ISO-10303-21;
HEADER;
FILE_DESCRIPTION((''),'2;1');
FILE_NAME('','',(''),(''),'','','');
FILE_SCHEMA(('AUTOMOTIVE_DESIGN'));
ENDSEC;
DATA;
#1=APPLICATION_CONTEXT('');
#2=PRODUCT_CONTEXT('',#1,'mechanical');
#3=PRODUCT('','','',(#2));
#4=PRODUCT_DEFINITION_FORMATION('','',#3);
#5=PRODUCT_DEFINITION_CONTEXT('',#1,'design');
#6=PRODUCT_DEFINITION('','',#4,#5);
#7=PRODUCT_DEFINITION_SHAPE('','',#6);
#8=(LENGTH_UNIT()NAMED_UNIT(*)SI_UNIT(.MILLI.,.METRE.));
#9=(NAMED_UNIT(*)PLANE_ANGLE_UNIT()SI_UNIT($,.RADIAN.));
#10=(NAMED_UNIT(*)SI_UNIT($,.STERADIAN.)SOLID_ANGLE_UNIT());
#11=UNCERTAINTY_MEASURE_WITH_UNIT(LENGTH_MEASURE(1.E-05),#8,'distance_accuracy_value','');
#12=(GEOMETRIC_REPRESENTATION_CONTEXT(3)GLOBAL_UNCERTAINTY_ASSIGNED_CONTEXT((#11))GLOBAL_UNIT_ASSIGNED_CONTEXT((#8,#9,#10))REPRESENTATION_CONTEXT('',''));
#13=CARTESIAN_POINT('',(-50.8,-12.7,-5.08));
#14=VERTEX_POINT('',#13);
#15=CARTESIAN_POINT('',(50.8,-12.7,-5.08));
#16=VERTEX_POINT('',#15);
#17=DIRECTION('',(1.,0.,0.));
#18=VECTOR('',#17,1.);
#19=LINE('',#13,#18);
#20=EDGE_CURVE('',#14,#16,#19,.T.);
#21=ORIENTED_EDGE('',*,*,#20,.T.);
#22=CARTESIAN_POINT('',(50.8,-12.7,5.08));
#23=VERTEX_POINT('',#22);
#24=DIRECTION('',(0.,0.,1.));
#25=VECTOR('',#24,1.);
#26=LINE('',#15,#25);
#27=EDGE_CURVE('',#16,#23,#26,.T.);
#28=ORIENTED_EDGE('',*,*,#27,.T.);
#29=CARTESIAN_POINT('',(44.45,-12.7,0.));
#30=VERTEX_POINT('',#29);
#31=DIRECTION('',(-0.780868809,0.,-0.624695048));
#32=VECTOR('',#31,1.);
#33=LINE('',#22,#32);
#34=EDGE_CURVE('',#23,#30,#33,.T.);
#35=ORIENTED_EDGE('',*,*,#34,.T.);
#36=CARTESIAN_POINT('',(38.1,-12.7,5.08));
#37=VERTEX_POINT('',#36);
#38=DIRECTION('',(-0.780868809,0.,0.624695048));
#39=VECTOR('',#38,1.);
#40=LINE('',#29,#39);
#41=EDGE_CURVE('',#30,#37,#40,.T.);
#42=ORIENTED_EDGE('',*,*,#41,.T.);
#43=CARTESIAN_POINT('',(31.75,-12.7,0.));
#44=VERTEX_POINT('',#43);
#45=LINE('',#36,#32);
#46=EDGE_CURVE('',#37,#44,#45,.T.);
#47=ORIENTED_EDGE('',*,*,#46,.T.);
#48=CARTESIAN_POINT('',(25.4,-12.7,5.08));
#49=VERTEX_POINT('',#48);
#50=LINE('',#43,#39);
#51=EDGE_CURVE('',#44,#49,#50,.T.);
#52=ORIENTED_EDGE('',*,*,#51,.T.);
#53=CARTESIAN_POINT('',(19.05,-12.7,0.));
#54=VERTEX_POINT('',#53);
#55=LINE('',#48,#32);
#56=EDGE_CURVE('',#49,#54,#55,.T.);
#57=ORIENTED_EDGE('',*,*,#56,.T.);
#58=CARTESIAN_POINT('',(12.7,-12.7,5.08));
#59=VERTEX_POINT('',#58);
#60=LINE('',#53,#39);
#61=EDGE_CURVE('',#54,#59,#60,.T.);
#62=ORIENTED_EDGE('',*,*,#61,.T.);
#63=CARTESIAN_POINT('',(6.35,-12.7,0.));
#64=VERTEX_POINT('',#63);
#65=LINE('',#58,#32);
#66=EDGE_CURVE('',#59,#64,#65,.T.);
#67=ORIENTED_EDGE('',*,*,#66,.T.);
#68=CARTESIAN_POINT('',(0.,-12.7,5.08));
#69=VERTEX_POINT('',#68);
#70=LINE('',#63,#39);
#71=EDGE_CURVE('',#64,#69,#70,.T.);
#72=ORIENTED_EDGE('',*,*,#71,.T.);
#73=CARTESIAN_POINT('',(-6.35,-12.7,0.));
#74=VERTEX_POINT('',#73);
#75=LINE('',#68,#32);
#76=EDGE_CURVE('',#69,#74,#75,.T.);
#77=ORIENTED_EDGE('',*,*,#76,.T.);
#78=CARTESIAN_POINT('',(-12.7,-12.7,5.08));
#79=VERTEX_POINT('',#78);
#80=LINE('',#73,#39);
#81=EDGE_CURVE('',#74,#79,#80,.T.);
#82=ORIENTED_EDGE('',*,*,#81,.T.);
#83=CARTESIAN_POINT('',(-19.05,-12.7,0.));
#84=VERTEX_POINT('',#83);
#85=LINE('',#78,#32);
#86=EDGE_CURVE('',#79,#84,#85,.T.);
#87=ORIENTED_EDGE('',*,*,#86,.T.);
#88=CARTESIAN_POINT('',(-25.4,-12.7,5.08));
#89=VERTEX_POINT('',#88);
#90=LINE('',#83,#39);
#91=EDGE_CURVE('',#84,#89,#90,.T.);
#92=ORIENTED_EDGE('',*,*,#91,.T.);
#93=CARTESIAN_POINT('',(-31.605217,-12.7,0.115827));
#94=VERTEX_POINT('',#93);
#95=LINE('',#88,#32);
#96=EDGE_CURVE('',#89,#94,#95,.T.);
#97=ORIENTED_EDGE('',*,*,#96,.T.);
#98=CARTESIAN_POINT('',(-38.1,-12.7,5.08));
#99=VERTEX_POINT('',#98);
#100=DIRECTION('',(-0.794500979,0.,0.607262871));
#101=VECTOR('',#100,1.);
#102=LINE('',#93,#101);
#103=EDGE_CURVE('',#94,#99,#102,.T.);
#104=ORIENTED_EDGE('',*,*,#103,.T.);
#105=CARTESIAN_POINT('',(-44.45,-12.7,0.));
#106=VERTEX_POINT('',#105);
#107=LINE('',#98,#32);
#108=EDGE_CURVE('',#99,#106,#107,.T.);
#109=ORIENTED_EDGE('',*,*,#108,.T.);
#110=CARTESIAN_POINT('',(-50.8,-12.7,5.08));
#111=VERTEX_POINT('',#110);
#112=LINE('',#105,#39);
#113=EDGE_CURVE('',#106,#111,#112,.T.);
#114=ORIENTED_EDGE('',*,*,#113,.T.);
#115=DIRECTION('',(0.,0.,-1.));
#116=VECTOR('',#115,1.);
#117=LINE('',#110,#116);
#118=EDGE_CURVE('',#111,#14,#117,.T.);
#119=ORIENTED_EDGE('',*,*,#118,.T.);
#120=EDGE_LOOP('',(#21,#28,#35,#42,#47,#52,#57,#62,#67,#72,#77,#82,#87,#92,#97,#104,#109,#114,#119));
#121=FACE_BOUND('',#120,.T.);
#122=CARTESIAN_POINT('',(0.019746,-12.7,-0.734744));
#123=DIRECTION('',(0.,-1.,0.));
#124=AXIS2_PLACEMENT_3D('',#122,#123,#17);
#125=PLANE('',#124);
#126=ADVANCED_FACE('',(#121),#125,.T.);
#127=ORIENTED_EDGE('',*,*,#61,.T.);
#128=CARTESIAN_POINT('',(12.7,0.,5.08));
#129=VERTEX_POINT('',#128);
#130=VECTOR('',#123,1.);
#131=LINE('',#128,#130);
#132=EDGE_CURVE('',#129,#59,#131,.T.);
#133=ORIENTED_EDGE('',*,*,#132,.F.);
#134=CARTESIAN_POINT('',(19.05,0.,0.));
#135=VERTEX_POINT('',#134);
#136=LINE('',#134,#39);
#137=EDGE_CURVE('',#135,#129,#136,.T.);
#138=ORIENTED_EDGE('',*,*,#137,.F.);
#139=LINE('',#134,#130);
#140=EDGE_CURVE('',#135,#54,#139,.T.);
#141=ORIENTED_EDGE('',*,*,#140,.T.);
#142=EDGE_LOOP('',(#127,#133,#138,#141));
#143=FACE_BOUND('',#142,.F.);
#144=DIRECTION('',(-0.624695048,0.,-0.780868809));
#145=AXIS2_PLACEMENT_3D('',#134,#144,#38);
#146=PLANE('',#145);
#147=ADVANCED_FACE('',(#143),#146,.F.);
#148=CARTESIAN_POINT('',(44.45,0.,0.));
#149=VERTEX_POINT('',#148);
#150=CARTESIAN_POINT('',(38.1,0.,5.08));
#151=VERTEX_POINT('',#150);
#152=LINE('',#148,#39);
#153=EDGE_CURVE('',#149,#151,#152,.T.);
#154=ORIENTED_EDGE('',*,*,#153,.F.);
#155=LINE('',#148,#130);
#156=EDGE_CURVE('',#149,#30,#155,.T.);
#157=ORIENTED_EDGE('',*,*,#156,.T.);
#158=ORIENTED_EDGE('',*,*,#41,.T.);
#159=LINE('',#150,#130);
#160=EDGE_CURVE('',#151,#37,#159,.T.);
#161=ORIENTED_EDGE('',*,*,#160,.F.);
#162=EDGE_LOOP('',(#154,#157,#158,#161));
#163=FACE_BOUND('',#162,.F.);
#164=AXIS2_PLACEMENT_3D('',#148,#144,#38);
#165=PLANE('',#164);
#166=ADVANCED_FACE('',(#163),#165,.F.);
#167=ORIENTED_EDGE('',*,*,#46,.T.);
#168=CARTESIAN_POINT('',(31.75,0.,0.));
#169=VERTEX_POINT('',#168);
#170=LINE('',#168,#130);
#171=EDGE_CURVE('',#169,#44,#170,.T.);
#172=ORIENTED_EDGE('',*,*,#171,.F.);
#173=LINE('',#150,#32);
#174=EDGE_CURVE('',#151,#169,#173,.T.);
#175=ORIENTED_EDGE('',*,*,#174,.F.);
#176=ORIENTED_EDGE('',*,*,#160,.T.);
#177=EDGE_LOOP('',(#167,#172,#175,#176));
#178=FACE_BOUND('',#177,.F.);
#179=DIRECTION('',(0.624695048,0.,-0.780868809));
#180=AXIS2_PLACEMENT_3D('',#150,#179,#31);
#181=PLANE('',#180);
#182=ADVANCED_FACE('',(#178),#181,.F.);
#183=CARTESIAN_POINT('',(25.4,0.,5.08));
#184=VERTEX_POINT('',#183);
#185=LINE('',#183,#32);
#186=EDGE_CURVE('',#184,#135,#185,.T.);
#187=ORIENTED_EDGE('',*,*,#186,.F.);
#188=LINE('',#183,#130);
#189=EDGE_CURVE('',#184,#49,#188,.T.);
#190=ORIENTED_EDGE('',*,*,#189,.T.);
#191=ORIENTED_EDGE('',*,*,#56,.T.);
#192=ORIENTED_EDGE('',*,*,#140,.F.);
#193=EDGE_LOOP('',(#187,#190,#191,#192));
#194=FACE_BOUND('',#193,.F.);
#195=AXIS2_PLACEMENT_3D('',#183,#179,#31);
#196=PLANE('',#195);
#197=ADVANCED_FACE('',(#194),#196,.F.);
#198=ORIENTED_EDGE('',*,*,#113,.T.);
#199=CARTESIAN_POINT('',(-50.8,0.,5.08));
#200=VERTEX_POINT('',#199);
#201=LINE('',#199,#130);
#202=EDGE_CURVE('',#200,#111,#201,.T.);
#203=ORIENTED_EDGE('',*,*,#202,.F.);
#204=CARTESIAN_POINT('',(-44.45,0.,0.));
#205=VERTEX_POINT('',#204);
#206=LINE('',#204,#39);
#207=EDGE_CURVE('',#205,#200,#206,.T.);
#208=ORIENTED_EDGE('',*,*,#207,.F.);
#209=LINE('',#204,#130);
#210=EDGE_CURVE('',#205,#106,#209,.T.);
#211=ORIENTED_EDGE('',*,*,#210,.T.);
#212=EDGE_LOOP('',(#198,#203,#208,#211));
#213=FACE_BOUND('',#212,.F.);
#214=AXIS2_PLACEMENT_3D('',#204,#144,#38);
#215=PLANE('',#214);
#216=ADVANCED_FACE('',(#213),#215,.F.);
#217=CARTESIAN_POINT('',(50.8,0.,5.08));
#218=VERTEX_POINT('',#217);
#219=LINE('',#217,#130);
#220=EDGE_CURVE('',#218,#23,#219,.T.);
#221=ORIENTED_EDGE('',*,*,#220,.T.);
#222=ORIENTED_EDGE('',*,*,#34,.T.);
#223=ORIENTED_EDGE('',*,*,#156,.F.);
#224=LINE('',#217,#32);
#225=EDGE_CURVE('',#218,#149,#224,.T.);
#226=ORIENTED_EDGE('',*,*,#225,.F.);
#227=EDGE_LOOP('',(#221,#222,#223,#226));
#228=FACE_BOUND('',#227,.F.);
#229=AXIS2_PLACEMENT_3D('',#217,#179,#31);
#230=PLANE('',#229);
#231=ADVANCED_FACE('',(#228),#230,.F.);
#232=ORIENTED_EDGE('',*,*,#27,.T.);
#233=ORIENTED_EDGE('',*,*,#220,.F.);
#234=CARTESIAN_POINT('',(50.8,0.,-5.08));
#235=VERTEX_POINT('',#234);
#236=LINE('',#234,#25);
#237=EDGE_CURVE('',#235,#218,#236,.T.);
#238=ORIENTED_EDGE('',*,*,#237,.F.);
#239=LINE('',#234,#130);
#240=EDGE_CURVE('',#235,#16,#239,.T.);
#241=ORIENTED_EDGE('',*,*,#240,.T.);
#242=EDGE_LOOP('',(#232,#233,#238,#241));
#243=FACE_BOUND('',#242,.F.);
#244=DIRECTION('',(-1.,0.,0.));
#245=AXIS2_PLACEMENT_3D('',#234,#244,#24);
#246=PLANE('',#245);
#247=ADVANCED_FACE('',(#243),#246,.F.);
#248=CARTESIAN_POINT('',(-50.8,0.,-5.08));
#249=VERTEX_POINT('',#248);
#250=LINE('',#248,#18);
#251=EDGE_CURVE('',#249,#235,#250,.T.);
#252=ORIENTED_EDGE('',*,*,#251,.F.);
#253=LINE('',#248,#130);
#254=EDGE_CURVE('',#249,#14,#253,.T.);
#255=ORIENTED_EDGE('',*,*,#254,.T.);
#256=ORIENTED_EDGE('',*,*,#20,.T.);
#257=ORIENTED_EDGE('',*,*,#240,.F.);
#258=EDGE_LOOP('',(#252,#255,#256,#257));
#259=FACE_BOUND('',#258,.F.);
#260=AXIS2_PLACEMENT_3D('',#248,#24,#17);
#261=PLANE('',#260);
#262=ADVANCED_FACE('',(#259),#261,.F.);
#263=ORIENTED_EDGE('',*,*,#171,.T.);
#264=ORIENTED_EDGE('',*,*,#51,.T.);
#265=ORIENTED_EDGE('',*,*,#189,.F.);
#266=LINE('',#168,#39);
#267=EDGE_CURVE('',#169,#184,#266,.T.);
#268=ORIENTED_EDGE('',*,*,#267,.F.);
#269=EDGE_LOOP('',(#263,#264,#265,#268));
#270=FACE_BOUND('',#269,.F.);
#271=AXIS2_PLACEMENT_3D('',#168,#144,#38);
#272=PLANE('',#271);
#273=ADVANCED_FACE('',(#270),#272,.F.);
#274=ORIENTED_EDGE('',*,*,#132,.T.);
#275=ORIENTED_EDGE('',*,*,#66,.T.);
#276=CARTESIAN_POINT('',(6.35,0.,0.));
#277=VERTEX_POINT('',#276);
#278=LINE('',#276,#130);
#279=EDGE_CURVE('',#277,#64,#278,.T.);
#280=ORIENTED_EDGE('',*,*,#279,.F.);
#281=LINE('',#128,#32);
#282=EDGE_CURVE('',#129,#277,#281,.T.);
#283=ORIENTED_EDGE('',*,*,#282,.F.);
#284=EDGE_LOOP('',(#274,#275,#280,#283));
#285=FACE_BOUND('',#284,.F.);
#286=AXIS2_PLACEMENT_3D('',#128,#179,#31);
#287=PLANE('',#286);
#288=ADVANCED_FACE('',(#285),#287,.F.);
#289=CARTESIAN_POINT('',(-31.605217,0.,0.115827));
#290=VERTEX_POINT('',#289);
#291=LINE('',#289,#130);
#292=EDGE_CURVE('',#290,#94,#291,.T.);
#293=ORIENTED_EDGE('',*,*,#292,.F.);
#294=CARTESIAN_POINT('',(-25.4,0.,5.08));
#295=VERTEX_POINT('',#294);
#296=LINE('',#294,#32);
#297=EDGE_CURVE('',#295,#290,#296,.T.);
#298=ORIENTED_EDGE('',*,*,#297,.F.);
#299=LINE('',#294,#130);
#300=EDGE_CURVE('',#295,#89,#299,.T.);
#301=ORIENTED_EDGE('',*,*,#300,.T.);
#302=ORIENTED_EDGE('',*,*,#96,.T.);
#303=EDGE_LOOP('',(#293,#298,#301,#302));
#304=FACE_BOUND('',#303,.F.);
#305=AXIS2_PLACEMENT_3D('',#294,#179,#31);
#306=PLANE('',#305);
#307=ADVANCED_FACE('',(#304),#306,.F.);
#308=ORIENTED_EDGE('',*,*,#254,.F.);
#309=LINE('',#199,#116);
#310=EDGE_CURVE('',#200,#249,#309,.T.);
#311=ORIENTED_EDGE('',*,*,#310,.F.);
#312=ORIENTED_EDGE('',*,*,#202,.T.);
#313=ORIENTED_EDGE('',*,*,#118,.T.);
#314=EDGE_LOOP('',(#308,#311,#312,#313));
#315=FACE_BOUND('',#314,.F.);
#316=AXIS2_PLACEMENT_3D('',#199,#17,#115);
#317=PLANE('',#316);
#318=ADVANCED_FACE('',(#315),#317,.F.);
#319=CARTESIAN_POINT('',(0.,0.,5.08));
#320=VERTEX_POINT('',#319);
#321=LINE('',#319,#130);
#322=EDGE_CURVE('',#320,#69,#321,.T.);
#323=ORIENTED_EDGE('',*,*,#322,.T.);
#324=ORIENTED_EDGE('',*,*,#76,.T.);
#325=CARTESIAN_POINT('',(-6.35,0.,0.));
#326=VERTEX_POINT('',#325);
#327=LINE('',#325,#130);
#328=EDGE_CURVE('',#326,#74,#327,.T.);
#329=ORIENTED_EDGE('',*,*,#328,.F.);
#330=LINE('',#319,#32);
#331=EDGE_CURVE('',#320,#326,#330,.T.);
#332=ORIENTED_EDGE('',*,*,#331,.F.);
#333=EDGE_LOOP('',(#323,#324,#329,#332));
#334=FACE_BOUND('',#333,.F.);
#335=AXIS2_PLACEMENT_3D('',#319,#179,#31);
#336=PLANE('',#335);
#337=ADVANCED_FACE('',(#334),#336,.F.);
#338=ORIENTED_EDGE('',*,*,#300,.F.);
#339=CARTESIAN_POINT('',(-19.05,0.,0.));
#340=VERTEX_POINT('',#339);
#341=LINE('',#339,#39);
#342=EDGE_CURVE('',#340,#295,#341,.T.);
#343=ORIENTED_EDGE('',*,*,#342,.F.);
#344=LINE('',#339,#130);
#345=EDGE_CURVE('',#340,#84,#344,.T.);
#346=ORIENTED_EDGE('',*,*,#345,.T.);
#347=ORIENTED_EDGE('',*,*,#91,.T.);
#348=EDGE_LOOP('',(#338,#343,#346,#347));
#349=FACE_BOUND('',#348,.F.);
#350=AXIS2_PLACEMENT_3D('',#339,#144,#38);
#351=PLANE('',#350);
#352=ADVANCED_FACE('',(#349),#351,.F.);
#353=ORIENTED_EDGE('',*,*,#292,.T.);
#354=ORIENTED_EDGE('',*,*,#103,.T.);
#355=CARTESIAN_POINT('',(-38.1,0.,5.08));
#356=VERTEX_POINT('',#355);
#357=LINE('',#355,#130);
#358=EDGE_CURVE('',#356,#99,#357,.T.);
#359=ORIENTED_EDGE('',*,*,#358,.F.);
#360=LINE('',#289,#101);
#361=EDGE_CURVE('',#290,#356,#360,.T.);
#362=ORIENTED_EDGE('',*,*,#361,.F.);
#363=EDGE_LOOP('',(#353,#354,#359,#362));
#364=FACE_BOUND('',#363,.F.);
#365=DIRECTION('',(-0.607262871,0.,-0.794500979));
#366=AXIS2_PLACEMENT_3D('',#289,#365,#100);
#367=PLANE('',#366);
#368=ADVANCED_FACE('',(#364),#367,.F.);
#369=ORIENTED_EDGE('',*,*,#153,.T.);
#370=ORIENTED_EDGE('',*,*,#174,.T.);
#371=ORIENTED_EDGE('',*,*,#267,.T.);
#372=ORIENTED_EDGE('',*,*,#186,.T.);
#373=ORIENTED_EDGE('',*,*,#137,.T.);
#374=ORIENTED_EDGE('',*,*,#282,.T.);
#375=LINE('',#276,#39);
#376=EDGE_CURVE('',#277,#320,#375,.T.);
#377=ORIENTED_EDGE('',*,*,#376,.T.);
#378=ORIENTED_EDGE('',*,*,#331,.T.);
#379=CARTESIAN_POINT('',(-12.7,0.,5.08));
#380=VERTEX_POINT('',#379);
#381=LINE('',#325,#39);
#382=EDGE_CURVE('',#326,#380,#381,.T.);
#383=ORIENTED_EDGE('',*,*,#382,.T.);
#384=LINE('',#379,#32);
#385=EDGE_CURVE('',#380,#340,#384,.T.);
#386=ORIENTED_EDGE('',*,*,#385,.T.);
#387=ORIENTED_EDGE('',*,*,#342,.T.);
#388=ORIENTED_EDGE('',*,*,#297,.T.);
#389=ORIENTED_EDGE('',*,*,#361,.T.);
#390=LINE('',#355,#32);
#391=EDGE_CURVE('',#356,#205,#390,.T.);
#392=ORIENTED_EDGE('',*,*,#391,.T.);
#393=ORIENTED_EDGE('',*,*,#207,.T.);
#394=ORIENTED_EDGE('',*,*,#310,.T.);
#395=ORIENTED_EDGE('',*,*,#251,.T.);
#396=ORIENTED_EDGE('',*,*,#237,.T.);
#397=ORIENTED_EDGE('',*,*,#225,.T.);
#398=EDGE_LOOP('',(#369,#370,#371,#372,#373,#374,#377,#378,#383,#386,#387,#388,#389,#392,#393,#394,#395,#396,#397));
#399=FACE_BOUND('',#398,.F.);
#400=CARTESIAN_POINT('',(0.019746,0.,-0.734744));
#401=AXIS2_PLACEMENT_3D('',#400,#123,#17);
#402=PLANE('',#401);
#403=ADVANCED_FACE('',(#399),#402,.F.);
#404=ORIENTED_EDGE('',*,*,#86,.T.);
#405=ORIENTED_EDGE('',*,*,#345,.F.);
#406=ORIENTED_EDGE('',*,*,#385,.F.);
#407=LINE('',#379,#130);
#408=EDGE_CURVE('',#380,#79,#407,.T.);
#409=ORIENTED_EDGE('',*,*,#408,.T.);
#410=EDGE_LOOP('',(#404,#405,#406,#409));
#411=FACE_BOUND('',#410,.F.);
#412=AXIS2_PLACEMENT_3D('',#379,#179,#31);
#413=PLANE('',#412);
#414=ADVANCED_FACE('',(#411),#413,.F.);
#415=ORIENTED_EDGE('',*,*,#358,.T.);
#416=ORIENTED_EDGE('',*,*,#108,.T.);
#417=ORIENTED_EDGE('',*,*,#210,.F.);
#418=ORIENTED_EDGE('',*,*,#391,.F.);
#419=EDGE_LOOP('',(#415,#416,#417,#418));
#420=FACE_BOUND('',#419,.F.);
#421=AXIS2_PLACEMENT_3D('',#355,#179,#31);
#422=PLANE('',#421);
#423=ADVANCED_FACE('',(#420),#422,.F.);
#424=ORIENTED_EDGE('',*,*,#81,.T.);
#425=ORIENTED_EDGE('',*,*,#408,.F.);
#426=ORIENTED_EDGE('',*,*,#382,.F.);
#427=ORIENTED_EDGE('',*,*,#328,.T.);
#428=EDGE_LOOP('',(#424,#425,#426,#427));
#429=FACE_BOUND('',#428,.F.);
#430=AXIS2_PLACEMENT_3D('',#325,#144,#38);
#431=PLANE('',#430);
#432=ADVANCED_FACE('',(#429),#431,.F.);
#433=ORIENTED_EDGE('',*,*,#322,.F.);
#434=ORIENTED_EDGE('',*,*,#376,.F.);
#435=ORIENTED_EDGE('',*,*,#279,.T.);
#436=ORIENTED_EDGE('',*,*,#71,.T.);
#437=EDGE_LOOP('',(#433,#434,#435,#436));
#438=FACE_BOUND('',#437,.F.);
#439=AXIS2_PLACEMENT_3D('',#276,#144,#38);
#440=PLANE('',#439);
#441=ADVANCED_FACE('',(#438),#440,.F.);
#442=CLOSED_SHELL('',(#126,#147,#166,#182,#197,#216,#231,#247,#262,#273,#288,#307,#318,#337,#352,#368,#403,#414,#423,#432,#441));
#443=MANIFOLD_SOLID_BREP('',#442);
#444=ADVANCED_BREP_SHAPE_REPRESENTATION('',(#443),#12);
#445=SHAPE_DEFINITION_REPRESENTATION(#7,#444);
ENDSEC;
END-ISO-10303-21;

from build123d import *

# Parameters (mm, degrees)
F1_DEPTH = 6.35
F2_SCALE = 2


with BuildPart() as f1:
    # F0 (on Front) → F1 (new body)
    with BuildSketch(Plane.XZ):
        Polygon((19.05, -2.54), (25.4, -2.54), (25.4, 2.54), (22.225, 0), (19.05, 2.54), (15.875, 0), (12.7, 2.54), (9.525, 0), (6.35, 2.54), (3.175, 0), (0, 2.54), (-3.175, 0), (-6.35, 2.54), (-9.525, 0), (-12.7, 2.54), (-15.8026084123, 0.0579132702), (-19.05, 2.54), (-22.225, 0), (-25.4, 2.54), (-25.4, -2.54), (-19.05, -2.54), (-12.7, -2.54), (-6.35, -2.54), (0, -2.54), (6.35, -2.54), (12.7, -2.54), align=None)
    extrude(amount=F1_DEPTH)


with BuildPart() as f1_1:
    # F2: moved
    add(f1.part.scale(F2_SCALE))


solid = f1_1.part
